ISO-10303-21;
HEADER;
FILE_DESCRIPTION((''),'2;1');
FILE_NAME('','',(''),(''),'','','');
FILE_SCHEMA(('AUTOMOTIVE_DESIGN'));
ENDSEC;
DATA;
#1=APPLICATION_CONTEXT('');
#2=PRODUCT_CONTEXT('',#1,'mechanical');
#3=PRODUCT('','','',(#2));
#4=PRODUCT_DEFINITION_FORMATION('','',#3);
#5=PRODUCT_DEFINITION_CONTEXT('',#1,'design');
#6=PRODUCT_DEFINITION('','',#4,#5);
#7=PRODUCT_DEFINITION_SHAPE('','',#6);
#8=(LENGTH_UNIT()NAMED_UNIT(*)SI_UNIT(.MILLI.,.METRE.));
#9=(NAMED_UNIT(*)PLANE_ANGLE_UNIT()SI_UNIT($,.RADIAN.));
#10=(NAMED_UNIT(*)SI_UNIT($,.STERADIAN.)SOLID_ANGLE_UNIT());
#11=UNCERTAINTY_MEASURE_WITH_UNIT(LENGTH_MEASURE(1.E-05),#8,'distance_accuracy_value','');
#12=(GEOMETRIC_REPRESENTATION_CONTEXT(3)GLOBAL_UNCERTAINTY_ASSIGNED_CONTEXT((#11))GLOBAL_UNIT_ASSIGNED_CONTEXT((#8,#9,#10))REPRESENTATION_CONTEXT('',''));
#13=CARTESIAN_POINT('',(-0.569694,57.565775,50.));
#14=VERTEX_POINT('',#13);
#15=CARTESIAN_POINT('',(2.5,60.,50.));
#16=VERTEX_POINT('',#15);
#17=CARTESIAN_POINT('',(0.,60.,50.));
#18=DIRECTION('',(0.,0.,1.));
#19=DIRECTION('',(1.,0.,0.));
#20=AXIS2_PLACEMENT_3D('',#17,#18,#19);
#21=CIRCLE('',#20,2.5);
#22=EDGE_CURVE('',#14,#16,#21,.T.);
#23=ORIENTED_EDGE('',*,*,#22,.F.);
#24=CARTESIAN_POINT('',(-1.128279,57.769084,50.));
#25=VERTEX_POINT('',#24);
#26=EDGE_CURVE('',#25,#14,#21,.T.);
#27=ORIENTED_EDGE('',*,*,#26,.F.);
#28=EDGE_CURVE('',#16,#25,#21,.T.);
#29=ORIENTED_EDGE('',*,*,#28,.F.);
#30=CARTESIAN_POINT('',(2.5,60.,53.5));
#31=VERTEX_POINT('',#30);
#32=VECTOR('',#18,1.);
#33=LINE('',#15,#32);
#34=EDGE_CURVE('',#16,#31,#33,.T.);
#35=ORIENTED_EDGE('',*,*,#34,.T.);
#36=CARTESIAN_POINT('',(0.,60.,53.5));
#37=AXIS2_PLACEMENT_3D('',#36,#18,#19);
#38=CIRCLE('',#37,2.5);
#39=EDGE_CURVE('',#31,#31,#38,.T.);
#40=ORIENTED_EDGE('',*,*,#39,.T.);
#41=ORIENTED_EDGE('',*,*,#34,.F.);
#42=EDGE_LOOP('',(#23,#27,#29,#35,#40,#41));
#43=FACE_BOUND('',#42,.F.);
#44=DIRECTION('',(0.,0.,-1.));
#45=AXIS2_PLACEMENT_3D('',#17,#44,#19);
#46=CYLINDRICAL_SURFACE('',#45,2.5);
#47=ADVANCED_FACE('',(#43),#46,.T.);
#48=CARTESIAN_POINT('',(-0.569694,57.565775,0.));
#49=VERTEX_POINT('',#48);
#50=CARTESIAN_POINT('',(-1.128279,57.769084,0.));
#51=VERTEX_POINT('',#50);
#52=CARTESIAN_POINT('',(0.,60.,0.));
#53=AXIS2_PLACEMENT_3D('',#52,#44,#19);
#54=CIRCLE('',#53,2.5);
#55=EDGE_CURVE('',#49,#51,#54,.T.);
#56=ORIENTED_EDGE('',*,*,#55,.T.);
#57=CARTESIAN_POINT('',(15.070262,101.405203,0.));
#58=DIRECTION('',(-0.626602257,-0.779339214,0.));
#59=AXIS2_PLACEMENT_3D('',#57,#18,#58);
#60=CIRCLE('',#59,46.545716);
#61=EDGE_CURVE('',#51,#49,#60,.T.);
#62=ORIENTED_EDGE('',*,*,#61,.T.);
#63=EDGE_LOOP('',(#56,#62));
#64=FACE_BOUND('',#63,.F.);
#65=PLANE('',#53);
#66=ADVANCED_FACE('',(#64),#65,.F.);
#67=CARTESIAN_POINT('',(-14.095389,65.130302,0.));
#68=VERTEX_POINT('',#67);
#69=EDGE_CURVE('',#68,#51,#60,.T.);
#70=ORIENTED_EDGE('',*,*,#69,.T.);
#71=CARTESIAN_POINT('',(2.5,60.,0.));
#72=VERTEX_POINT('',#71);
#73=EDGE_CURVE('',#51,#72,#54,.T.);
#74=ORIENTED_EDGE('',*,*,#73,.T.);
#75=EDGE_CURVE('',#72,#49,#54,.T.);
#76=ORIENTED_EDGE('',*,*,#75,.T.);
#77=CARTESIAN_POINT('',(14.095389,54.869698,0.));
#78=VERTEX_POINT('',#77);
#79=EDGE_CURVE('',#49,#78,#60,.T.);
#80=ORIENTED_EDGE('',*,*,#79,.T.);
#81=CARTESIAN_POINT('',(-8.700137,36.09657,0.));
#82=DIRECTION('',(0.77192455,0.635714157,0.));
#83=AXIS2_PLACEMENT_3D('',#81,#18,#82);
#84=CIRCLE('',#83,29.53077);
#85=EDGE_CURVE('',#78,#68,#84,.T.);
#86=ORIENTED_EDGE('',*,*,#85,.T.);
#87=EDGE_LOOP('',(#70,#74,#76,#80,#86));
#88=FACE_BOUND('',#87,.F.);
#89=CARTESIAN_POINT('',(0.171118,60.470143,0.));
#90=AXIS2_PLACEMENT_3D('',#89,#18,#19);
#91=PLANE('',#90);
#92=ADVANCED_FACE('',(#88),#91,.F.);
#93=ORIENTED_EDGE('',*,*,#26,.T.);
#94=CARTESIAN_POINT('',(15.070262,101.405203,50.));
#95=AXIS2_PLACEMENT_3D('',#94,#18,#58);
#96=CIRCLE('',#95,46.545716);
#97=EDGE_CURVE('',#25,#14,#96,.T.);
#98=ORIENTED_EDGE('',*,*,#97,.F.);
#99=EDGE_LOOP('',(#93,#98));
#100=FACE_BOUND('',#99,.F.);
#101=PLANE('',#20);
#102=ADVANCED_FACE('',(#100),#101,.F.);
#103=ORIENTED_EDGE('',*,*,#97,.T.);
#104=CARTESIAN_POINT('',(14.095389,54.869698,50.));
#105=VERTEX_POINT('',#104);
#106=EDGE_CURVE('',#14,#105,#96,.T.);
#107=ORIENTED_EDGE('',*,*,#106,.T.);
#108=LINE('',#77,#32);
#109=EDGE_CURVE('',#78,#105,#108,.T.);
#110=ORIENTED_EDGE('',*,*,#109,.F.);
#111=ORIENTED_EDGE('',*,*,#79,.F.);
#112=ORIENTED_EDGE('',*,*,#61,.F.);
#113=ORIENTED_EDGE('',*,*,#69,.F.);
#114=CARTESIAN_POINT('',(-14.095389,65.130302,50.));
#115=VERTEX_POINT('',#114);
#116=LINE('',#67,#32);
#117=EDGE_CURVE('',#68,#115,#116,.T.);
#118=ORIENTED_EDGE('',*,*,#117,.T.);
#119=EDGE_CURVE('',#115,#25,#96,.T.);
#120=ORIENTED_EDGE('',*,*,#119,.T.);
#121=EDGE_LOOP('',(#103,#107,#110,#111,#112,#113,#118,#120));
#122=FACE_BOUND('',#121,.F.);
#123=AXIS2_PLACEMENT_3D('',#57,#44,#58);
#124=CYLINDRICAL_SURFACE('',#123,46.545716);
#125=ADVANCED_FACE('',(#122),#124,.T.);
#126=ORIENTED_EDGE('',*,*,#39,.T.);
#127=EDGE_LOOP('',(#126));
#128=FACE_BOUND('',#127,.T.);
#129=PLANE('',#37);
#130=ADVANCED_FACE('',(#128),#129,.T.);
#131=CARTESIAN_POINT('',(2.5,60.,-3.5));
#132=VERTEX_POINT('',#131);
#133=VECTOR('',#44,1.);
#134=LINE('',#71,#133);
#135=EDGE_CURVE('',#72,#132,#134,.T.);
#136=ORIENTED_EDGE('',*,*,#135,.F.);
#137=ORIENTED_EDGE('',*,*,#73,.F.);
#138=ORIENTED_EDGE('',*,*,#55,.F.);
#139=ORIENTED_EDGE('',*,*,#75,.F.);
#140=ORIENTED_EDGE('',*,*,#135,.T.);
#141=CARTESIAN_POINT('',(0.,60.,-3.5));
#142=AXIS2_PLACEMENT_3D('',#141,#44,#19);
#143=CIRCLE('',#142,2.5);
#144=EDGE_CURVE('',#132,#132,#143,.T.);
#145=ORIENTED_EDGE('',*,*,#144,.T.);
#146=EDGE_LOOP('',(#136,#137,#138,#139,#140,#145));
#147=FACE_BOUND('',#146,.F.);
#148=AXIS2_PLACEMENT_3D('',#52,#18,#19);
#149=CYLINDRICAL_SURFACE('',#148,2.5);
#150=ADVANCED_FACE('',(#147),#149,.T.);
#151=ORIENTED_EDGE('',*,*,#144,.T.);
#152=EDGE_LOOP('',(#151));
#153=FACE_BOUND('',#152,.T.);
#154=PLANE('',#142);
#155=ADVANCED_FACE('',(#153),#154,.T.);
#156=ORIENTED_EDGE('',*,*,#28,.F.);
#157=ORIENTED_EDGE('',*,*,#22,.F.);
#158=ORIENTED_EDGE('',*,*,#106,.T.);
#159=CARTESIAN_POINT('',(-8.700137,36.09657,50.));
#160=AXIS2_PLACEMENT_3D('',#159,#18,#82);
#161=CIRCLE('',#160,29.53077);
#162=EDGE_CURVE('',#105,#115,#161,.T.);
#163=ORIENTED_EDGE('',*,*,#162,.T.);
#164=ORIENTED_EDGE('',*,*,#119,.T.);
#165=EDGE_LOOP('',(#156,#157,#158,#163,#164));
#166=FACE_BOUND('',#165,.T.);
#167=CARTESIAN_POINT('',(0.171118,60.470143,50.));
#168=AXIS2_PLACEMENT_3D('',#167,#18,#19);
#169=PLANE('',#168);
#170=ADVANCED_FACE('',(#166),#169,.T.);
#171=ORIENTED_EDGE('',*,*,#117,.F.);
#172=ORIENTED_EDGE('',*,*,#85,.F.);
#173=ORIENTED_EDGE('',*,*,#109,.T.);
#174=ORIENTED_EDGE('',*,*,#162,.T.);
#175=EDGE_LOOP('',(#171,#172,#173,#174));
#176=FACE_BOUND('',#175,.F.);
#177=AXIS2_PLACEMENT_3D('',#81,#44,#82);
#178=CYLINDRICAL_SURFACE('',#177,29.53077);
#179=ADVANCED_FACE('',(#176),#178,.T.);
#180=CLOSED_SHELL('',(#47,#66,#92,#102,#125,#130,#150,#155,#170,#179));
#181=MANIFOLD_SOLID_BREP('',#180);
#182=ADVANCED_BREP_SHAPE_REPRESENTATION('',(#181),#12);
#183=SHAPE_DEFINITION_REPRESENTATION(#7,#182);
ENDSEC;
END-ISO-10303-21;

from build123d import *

# Parameters (mm, degrees)
PAD007_DEPTH = 50
SKETCH016_R  = 2.5
PAD008_DEPTH = 3.5
SKETCH017_R  = 2.5
PAD009_DEPTH = 3.5


with BuildPart() as part:
    # Sketch015 → Pad007 (new body)
    with BuildSketch(Plane.XY):
        with BuildLine():
            ThreePointArc((14.095389, 54.869698), (1.399981, 63.846416), (-14.095389, 65.130302))
            ThreePointArc((-14.095389, 65.130302), (-0.849311, 57.666538), (14.095389, 54.869698))
        make_face()
    extrude(amount=PAD007_DEPTH)

    # Sketch016 (on Face4 of Pad007) → Pad008 (join)
    with BuildSketch(Plane.XY.offset(50)):
        with Locations((0, 60)):
            Circle(SKETCH016_R)
    extrude(amount=PAD008_DEPTH)

    # Sketch017 (on Face3 of Pad008) → Pad009 (join)
    with BuildSketch(Plane(origin=(0, 0, 0), x_dir=(1, 0, 0), z_dir=(0, 0, -1))):
        with Locations((0, -60)):
            Circle(SKETCH017_R)
    extrude(amount=PAD009_DEPTH)


solid = part.part
